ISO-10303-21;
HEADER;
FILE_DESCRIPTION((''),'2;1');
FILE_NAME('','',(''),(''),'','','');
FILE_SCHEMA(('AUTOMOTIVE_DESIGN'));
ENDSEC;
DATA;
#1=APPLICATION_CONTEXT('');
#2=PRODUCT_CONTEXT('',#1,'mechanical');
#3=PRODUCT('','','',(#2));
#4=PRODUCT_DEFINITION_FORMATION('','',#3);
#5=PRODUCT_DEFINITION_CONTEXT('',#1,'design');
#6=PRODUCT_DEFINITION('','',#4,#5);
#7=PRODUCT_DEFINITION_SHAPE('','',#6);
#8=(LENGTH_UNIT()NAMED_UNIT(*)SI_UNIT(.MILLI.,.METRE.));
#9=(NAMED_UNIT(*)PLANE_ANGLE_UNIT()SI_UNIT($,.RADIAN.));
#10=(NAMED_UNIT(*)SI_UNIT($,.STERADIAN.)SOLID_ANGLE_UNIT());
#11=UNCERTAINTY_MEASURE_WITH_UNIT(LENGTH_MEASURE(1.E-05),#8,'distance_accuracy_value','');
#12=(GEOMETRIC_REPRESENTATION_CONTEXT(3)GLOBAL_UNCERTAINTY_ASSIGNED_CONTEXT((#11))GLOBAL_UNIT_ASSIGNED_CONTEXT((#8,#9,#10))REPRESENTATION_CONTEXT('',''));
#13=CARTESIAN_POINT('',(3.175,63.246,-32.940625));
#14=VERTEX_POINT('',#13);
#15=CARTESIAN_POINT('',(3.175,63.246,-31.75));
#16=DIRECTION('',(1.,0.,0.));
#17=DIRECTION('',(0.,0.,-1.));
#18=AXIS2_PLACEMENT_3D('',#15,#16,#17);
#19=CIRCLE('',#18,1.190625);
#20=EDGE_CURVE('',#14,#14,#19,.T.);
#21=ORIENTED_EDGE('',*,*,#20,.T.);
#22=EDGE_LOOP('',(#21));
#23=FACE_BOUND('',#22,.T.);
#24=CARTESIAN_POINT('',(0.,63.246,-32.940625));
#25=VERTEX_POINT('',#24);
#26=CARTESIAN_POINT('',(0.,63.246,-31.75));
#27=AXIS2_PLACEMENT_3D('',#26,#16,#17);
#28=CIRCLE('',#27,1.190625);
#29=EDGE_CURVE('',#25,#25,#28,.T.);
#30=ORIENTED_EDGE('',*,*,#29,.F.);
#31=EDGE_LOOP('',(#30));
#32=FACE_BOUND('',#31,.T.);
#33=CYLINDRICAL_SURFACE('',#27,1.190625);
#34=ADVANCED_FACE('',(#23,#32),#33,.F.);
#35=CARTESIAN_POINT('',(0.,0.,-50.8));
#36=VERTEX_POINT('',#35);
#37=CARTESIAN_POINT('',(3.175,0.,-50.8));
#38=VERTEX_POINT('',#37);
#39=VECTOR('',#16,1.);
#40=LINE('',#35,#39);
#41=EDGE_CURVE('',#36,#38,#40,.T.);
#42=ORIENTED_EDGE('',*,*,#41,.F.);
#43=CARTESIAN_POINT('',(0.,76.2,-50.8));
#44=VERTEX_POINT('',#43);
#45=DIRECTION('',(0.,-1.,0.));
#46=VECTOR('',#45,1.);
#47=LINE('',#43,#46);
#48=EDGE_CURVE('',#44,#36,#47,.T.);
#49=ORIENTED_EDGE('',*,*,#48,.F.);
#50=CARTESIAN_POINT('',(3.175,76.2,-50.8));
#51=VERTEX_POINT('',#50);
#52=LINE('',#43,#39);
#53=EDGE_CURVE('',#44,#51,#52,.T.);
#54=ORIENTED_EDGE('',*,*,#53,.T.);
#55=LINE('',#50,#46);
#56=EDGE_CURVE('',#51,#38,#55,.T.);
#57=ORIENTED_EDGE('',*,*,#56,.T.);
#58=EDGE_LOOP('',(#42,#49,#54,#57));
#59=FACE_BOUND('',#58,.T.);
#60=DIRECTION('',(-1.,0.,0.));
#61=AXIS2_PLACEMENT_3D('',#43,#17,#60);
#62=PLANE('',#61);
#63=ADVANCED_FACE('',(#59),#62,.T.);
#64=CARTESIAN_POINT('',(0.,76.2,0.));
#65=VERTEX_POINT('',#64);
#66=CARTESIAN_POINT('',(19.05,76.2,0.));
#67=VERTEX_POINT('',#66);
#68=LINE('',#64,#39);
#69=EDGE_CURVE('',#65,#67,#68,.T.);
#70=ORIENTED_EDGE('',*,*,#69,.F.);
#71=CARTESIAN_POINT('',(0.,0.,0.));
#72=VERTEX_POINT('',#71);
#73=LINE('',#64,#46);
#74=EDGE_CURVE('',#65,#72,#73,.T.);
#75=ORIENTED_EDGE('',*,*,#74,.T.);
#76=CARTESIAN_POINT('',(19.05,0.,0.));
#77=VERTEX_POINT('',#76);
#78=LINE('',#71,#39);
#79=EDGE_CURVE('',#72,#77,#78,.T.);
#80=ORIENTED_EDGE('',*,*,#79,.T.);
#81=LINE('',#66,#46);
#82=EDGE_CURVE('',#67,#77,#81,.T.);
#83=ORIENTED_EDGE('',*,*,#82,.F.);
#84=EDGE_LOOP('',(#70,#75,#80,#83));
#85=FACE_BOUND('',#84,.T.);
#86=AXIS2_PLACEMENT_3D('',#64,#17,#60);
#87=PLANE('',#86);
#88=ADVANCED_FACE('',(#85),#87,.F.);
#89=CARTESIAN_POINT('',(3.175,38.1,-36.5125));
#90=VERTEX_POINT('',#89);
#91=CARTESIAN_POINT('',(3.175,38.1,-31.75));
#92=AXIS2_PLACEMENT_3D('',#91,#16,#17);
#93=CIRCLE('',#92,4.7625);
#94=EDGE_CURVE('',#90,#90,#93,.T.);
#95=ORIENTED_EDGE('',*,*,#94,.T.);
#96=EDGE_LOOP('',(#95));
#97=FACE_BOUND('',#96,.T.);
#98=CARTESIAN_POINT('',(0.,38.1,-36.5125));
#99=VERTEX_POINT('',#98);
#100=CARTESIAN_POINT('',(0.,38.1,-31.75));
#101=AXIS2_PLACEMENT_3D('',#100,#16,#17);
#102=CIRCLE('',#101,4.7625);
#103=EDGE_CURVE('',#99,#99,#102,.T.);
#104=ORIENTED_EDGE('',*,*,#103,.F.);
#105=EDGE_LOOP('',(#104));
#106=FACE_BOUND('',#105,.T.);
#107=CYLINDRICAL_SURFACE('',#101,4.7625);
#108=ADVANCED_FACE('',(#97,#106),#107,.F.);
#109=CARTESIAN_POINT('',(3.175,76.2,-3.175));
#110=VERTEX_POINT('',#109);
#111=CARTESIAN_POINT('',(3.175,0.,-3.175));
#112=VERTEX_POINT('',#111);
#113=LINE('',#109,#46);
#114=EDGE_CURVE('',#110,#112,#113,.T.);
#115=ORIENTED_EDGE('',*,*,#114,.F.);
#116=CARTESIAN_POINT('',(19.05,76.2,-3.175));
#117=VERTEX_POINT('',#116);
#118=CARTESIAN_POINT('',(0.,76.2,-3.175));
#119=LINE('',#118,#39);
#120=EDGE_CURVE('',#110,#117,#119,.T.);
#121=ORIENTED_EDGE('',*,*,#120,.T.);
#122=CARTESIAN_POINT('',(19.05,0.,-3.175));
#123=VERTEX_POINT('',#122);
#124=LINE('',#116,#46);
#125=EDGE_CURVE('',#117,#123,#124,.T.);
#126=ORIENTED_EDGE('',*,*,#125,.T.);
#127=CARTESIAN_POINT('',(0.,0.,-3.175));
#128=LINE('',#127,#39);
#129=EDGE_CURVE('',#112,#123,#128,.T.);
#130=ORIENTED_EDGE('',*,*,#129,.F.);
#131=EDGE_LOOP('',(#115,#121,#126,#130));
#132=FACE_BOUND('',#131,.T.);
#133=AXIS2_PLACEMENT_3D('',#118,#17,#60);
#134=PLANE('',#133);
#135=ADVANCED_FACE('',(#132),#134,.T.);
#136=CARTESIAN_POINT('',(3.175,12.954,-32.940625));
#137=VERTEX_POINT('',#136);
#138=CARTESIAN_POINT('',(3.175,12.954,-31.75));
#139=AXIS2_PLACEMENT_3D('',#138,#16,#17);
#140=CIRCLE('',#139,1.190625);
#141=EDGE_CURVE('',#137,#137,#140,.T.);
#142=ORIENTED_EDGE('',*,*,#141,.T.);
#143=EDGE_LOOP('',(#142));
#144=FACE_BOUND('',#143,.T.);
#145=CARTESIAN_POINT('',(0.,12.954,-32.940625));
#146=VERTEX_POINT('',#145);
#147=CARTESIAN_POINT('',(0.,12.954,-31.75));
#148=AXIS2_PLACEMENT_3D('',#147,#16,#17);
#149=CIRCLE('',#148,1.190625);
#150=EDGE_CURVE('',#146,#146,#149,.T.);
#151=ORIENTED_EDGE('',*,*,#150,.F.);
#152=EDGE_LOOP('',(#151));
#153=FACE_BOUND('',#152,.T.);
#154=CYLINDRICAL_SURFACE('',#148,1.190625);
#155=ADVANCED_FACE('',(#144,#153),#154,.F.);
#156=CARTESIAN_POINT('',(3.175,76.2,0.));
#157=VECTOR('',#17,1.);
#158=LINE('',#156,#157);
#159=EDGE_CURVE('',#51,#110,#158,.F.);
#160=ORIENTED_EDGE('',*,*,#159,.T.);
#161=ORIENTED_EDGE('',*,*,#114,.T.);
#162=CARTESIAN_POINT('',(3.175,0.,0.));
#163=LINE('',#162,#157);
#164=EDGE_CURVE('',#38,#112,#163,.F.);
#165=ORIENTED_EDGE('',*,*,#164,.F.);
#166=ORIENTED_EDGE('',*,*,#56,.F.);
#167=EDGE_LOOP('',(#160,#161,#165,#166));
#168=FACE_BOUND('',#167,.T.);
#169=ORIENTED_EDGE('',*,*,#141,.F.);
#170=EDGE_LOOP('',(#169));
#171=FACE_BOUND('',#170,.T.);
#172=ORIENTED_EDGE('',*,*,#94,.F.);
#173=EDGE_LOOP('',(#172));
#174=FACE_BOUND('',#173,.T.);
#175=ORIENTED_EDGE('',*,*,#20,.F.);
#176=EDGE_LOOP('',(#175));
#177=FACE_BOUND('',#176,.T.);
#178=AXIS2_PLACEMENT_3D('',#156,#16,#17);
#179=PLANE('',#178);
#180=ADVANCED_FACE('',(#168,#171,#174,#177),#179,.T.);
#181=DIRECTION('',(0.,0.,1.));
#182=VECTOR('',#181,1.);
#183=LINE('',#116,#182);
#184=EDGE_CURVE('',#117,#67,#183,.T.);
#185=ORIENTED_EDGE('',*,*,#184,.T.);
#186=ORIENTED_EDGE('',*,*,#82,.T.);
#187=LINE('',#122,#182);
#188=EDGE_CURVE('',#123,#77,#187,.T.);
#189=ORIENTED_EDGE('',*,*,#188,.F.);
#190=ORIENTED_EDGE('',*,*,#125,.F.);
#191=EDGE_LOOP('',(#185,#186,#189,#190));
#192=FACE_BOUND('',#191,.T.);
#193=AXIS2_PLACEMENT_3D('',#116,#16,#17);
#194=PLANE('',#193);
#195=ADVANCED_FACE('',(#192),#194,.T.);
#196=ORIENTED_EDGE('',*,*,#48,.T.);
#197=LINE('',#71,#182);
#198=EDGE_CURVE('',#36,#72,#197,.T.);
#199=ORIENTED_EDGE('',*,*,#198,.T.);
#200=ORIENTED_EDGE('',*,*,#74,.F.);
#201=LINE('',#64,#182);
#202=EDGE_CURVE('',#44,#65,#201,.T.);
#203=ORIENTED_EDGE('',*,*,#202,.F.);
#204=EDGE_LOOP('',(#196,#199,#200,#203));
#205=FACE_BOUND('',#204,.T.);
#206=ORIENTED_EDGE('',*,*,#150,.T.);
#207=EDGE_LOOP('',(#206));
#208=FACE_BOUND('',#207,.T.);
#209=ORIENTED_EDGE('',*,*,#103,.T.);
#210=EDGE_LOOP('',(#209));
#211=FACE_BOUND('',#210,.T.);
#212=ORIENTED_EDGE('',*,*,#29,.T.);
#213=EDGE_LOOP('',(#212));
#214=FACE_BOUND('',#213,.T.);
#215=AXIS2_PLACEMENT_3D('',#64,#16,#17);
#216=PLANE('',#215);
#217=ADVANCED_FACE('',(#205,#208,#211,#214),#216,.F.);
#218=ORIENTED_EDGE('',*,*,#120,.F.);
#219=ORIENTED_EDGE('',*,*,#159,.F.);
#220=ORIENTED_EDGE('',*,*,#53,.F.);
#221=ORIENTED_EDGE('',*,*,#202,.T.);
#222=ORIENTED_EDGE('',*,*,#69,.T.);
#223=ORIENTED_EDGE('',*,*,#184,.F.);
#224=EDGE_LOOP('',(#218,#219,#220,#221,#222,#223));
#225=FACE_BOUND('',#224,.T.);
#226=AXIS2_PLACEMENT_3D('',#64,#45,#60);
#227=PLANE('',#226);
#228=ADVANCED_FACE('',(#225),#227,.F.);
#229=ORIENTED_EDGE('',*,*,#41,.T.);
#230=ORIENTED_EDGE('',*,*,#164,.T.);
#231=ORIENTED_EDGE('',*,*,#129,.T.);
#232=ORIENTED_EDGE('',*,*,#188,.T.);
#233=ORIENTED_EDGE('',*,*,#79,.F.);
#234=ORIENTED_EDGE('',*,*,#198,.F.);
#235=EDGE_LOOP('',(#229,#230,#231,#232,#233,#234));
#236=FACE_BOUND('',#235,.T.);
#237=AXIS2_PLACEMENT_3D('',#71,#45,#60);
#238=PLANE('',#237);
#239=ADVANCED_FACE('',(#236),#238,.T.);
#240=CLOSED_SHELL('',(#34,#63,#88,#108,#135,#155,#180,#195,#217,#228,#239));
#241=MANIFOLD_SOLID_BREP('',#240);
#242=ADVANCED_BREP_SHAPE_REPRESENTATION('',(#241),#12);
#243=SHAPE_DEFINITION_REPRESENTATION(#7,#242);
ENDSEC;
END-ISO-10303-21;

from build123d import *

# Parameters (mm, degrees)
EXTRUDE_THIN1_DEPTH = 76.2
SKETCH3_R           = 1.190625
SKETCH3_R_2         = 4.7625
CUT_EXTRUDE1_DEPTH  = 93.946735419


with BuildPart() as part:
    # Sketch2 → Extrude-Thin1 (new body)
    with BuildSketch(Plane(origin=(0, 0, 0), x_dir=(1, 0, 0), z_dir=(0, 1, 0))):
        Polygon((19.05, 0), (0, 0), (0, 50.8), (3.175, 50.8), (3.175, 3.175), (19.05, 3.175), align=None)
    extrude(amount=EXTRUDE_THIN1_DEPTH)

    # Sketch3 → Cut-Extrude1 (cut, through all)
    with BuildSketch(Plane(origin=(3.175, 0, 0), x_dir=(0, 0, -1), z_dir=(1, 0, 0))):
        with Locations((31.75, 63.246)):
            Circle(SKETCH3_R)
        with Locations((31.75, 12.954)):
            Circle(SKETCH3_R)
        with Locations((31.75, 38.1)):
            Circle(SKETCH3_R_2)
    extrude(amount=-CUT_EXTRUDE1_DEPTH, mode=Mode.SUBTRACT)


solid = part.part
